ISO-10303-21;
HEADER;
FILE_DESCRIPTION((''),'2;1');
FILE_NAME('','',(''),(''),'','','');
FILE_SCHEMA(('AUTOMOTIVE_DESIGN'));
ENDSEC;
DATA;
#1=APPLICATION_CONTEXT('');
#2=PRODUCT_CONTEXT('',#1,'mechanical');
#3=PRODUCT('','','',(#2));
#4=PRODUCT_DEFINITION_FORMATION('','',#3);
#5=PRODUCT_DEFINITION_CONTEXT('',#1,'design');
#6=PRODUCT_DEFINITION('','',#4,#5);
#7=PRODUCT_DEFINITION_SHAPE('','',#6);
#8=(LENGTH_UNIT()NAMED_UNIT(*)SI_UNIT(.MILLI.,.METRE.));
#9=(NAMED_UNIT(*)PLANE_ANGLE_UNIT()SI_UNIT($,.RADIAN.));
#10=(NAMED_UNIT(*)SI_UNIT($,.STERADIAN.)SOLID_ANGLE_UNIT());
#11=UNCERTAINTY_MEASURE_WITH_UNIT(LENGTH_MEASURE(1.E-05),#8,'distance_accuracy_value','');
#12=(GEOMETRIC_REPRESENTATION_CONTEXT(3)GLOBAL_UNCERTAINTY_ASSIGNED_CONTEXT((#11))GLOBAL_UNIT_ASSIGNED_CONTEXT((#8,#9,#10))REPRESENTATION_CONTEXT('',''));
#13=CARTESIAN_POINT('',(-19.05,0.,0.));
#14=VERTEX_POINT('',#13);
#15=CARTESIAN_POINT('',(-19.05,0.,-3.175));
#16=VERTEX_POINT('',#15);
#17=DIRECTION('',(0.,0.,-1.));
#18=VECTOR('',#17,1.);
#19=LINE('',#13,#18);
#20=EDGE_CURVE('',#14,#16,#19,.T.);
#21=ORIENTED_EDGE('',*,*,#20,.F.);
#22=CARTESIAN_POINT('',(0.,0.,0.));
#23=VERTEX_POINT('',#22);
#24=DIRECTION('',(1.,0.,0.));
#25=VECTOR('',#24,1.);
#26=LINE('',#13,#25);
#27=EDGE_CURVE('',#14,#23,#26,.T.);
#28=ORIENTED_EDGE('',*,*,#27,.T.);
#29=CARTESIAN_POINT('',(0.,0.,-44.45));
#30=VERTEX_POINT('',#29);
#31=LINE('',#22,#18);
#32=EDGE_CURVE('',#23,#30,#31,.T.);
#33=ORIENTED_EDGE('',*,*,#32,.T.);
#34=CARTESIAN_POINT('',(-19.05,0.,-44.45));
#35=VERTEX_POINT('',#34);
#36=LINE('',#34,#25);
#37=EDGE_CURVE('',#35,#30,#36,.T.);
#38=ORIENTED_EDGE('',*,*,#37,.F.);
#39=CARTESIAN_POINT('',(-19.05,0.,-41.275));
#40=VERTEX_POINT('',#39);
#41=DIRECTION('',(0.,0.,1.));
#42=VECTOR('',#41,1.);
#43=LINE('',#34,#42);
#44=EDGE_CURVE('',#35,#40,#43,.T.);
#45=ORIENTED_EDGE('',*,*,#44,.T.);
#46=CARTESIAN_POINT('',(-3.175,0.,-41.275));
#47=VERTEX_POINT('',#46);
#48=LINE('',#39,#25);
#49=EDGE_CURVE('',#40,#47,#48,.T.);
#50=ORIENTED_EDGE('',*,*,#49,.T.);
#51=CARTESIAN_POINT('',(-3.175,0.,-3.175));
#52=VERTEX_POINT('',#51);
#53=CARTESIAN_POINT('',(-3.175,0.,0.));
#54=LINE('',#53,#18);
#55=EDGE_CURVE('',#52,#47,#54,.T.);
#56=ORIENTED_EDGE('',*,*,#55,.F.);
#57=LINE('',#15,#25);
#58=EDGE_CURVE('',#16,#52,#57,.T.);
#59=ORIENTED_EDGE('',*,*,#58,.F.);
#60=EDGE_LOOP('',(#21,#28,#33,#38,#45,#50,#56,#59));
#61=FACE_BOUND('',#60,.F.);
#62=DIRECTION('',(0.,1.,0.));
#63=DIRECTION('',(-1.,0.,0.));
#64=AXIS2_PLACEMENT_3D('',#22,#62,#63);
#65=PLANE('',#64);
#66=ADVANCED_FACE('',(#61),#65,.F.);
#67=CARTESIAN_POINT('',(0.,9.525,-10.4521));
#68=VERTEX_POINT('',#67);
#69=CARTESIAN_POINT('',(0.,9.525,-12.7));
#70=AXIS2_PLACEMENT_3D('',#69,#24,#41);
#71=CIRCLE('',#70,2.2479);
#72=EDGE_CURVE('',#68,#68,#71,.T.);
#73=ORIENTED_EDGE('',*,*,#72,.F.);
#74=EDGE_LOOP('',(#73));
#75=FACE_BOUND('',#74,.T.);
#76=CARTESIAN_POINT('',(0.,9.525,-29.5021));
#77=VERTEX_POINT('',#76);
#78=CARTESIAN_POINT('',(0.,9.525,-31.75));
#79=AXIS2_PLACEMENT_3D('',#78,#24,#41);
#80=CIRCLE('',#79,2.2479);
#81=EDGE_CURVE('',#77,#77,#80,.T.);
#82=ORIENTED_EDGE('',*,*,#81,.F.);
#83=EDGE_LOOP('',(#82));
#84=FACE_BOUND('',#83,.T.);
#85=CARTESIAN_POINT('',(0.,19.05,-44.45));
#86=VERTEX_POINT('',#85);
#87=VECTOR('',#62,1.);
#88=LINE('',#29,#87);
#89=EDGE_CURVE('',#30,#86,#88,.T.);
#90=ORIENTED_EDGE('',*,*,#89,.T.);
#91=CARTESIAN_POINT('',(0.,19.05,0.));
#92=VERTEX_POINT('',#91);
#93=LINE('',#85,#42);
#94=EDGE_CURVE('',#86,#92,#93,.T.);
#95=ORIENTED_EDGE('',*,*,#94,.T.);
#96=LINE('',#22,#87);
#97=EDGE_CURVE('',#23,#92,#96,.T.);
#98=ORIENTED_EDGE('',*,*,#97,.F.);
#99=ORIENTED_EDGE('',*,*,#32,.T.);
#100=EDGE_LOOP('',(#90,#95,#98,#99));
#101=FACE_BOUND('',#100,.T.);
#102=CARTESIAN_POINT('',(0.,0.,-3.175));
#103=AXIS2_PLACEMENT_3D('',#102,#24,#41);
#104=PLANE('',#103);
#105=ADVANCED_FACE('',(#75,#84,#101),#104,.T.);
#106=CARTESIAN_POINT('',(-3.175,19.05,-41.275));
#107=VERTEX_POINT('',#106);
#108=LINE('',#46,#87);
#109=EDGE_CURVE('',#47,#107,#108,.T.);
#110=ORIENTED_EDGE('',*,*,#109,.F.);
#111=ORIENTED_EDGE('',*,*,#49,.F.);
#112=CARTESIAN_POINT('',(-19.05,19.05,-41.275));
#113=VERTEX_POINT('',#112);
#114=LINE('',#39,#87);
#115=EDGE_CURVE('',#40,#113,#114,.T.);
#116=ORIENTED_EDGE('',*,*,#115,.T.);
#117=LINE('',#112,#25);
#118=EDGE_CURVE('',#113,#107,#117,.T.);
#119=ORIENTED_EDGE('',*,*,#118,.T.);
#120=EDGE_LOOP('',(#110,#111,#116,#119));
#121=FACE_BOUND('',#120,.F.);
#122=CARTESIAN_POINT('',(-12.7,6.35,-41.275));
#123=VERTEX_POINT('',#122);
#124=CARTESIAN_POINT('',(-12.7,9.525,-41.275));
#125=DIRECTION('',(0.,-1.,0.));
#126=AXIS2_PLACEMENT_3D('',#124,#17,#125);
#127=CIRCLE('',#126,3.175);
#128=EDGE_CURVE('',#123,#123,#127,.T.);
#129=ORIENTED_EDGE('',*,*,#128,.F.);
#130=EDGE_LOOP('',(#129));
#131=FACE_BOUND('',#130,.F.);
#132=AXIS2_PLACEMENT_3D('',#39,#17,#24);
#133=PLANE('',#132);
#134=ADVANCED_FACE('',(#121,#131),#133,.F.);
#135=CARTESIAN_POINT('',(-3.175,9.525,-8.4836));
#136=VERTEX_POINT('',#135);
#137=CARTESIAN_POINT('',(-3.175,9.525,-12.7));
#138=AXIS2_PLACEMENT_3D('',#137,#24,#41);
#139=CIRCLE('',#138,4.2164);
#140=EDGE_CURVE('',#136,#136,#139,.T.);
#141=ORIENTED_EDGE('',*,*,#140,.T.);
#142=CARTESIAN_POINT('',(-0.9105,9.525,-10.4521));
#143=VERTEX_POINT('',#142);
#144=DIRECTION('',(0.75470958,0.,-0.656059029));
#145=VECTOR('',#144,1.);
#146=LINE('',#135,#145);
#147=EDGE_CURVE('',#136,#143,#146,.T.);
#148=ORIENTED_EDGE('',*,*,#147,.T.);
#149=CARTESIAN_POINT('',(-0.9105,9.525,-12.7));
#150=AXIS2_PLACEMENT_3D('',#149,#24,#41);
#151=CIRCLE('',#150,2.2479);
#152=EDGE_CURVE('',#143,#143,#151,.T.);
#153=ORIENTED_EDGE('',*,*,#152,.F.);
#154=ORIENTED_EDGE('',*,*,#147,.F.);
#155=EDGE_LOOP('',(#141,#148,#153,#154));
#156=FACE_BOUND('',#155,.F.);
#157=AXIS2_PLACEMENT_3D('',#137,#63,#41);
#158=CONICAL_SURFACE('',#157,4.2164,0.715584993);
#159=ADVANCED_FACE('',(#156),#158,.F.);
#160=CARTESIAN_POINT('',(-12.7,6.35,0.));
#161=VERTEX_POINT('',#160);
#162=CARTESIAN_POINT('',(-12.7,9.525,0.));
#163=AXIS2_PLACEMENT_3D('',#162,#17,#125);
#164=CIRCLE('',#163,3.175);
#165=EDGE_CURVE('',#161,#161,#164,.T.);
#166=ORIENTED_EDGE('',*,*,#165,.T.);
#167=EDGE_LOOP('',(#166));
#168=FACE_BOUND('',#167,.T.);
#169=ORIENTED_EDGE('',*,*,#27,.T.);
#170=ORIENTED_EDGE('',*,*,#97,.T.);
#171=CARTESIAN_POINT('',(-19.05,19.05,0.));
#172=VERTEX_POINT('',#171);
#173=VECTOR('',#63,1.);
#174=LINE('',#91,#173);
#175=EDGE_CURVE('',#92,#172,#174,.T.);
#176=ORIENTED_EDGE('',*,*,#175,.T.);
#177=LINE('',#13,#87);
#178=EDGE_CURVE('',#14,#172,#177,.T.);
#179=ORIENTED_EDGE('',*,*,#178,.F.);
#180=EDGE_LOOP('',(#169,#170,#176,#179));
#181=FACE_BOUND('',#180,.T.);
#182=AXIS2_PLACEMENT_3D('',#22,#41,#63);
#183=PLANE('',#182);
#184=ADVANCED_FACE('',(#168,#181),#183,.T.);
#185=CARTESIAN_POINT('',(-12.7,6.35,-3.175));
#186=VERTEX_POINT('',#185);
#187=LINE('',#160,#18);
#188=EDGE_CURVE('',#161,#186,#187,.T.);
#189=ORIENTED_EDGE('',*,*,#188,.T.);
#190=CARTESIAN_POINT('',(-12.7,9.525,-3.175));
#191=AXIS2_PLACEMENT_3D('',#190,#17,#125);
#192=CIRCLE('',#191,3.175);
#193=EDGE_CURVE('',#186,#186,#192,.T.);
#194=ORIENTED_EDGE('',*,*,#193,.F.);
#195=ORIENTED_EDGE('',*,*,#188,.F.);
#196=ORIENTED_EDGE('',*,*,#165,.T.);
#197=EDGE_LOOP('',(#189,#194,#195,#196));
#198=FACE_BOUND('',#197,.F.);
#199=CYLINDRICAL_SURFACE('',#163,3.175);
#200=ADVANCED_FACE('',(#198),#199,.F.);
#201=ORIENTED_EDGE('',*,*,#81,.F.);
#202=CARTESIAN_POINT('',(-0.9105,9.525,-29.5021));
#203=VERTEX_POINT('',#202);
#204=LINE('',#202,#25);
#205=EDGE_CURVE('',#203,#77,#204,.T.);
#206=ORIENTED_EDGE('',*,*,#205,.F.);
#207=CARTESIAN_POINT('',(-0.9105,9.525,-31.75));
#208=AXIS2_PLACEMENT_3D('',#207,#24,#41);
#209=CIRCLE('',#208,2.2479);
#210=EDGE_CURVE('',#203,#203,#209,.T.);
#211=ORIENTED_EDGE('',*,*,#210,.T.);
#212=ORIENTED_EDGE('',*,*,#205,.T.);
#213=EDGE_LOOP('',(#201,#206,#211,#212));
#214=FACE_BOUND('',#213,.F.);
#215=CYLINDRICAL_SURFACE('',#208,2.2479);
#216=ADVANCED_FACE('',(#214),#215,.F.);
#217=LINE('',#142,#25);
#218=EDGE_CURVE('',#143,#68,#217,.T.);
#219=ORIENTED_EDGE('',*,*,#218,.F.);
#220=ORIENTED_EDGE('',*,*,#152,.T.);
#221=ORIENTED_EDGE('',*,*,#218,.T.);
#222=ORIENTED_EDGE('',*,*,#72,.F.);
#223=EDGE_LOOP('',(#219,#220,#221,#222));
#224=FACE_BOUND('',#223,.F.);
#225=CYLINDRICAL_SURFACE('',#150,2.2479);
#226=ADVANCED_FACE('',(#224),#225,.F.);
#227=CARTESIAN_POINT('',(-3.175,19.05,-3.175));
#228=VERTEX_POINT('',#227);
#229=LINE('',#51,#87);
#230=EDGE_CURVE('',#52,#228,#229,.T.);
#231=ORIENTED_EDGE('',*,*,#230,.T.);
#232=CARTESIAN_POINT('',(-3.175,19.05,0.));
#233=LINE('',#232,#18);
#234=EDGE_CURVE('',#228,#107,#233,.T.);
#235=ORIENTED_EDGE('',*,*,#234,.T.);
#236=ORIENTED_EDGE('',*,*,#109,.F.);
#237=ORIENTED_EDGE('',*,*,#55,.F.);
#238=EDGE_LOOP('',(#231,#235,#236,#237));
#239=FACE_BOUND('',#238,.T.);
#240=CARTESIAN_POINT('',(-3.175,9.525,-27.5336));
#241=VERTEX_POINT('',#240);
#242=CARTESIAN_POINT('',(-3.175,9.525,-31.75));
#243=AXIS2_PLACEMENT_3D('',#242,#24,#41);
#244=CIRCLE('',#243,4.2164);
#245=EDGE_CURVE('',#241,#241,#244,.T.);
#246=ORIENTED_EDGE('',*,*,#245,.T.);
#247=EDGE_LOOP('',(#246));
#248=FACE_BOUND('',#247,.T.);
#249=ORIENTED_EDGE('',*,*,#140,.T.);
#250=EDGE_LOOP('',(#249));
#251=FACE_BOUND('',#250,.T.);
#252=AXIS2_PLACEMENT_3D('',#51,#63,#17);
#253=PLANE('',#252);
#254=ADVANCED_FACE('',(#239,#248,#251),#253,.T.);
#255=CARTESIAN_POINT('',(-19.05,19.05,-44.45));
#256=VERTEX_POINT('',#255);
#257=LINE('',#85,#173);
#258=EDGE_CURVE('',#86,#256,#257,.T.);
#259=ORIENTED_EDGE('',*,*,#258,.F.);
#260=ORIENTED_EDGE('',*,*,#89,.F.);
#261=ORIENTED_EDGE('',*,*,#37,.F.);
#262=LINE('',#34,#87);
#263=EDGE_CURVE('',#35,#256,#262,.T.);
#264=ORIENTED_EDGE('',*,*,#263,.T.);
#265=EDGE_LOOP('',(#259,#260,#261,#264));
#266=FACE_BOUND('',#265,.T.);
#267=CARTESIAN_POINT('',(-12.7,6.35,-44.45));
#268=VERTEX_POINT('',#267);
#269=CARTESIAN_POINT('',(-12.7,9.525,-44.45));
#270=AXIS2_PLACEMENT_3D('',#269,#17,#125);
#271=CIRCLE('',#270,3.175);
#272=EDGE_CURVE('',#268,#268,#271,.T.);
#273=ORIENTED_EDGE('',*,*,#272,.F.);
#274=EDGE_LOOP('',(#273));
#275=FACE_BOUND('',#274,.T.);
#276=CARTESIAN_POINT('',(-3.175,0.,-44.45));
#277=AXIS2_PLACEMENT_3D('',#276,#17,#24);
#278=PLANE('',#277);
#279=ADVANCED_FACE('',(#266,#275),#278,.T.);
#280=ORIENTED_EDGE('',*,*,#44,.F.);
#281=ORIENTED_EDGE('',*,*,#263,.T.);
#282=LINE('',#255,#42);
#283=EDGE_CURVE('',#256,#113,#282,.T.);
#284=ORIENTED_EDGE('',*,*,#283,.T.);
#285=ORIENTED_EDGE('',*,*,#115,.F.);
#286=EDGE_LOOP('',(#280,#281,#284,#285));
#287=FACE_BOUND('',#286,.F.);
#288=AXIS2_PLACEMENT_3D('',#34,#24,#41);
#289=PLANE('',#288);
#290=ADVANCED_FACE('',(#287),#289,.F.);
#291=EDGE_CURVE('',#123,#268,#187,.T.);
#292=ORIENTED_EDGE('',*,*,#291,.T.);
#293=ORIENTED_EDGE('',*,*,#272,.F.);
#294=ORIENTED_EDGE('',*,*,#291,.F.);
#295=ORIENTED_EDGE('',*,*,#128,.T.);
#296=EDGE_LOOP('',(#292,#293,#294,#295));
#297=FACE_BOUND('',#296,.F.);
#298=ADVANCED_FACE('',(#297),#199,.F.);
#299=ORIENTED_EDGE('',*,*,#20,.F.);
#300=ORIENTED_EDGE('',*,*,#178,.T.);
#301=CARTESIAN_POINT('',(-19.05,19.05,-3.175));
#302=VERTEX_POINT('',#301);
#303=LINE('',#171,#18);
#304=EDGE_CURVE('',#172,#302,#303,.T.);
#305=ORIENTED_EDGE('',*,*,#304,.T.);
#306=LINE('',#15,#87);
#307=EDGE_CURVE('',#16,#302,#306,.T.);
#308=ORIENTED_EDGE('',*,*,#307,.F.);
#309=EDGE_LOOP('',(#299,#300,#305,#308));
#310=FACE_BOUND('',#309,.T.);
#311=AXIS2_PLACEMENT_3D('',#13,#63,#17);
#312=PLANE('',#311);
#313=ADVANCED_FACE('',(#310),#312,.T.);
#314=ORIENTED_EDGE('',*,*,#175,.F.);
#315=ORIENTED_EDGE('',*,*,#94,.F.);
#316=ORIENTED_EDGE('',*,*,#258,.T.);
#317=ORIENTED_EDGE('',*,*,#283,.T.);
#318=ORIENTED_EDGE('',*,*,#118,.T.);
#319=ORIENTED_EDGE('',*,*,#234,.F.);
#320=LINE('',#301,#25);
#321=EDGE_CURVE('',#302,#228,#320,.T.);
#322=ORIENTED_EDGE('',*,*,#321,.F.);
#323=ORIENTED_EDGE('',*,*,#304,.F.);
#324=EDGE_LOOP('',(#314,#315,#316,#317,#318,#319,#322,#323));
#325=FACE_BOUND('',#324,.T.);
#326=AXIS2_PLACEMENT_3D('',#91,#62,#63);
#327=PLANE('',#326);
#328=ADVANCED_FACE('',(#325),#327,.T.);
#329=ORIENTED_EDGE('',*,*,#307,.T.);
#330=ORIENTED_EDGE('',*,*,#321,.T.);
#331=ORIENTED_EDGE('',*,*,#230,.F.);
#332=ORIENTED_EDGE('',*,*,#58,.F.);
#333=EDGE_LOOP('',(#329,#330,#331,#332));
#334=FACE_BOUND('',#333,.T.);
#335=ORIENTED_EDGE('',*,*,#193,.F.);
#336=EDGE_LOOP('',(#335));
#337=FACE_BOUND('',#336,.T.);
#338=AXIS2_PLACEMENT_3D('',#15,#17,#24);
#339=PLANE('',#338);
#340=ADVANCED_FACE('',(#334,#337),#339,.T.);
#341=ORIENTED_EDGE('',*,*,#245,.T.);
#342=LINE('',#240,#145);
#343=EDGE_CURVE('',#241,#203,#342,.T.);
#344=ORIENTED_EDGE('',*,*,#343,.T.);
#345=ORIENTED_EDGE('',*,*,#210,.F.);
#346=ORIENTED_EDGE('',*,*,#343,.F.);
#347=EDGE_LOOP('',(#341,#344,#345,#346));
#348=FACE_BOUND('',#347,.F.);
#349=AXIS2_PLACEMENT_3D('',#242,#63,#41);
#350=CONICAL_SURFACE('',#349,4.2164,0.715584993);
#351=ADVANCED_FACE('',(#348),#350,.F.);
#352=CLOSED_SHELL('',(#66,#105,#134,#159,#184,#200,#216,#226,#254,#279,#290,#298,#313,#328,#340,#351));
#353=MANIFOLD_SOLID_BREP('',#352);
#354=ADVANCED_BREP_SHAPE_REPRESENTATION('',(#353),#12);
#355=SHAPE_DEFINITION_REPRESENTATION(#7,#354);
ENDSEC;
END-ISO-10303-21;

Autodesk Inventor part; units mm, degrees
ref_plane "YZ Plane" through (0, 0, 0) normal (1, 0, 0) x (0, 1, 0)
ref_plane "XZ Plane" through (0, 0, 0) normal (0, 1, 0) x (-1, 0, 0)
ref_plane "XY Plane" through (0, 0, 0) normal (0, 0, 1) x (1, 0, 0)
sketch "Sketch1" plane through (0, 0, 0) normal (0, 1, 0) x (-1, 0, 0)
  line L0 (0, 0) -> (19.05, 0)
  line L1 (19.05, 0) -> (19.05, -3.175)
  line L2 (19.05, -3.175) -> (0, -3.175)
  line L3 (0, -3.175) -> (0, 0)
  line L4 (0, 0) -> (3.175, 0)
  line L5 (3.175, 0) -> (3.175, -44.45)
  line L6 (3.175, -44.45) -> (0, -44.45)
  line L7 (0, -44.45) -> (0, 0)
  line L8 (0, -44.45) -> (19.05, -44.45)
  line L9 (19.05, -44.45) -> (19.05, -41.275)
  line L10 (19.05, -41.275) -> (0, -41.275)
  line L11 (0, -41.275) -> (0, -44.45)
  dimension "d0" = 19.05
  dimension "d1" = 3.175
  dimension "d2" = 3.175
  dimension "d3" = 44.45
  dimension "d4" = 19.05
  dimension "d5" = 3.175
extrude "Extrusion1" add sketch "Sketch1" along normal blind 19.05
sketch "Sketch2" plane through (-19.05, 0, 0) normal (0, 0, 1) x (1, 0, 0)
  line L0 (0, 0) -> (0, 19.05) projected
  line L1 (0, 0) -> (19.05, 0) projected
  line L2 (19.05, 0) -> (19.05, 19.05) projected
  point P0 (6.35, 9.525)
  dimension "d9" = 19.05
  dimension "d10" = 9.525
  dimension "d18" = 12.7
hole "Hole1" at (-12.7, 9.525, 0) direction (0, 0, -1) diameter 6.35 end through all
sketch "Sketch3" plane through (-3.175, 0, -41.275) normal (-1, 0, 0) x (0, 0, 1)
  line L0 (0, 19.05) -> (38.1, 19.05) projected
  line L1 (0, 0) -> (38.1, 0) projected
  line L2 (38.1, 0) -> (38.1, 19.05) projected
  line L3 (0, 0) -> (0, 19.05) projected
  point P0 (41.275, 0)
  point P1 (9.525, 9.525)
  point P2 (28.575, 9.525)
  dimension "d19" = 9.525
  dimension "d20" = 19.05
  dimension "d21" = 9.525
  dimension "d22" = 9.525
  dimension "d23" = 9.525
hole "Hole2" at (-3.175, 9.525, -31.75) at (-3.175, 9.525, -12.7) direction (1, 0, 0) diameter 4.4958 end through all countersink diameter 8.4328 countersink angle 82 clearance for "Flat Head Machine Screw (82)" size "#8" standard "Ansi Unified Screw Threads"
equation "\"d4\" = d0"
equation "\"d10\" = 0.5 * d9"
equation "\"d19\" = 0.5 * d20"
equation "\"d21\" = d19"
properties part number "CAR_045_NewCarouselTensioner1.75UChannel" material "Aluminum 6061"
